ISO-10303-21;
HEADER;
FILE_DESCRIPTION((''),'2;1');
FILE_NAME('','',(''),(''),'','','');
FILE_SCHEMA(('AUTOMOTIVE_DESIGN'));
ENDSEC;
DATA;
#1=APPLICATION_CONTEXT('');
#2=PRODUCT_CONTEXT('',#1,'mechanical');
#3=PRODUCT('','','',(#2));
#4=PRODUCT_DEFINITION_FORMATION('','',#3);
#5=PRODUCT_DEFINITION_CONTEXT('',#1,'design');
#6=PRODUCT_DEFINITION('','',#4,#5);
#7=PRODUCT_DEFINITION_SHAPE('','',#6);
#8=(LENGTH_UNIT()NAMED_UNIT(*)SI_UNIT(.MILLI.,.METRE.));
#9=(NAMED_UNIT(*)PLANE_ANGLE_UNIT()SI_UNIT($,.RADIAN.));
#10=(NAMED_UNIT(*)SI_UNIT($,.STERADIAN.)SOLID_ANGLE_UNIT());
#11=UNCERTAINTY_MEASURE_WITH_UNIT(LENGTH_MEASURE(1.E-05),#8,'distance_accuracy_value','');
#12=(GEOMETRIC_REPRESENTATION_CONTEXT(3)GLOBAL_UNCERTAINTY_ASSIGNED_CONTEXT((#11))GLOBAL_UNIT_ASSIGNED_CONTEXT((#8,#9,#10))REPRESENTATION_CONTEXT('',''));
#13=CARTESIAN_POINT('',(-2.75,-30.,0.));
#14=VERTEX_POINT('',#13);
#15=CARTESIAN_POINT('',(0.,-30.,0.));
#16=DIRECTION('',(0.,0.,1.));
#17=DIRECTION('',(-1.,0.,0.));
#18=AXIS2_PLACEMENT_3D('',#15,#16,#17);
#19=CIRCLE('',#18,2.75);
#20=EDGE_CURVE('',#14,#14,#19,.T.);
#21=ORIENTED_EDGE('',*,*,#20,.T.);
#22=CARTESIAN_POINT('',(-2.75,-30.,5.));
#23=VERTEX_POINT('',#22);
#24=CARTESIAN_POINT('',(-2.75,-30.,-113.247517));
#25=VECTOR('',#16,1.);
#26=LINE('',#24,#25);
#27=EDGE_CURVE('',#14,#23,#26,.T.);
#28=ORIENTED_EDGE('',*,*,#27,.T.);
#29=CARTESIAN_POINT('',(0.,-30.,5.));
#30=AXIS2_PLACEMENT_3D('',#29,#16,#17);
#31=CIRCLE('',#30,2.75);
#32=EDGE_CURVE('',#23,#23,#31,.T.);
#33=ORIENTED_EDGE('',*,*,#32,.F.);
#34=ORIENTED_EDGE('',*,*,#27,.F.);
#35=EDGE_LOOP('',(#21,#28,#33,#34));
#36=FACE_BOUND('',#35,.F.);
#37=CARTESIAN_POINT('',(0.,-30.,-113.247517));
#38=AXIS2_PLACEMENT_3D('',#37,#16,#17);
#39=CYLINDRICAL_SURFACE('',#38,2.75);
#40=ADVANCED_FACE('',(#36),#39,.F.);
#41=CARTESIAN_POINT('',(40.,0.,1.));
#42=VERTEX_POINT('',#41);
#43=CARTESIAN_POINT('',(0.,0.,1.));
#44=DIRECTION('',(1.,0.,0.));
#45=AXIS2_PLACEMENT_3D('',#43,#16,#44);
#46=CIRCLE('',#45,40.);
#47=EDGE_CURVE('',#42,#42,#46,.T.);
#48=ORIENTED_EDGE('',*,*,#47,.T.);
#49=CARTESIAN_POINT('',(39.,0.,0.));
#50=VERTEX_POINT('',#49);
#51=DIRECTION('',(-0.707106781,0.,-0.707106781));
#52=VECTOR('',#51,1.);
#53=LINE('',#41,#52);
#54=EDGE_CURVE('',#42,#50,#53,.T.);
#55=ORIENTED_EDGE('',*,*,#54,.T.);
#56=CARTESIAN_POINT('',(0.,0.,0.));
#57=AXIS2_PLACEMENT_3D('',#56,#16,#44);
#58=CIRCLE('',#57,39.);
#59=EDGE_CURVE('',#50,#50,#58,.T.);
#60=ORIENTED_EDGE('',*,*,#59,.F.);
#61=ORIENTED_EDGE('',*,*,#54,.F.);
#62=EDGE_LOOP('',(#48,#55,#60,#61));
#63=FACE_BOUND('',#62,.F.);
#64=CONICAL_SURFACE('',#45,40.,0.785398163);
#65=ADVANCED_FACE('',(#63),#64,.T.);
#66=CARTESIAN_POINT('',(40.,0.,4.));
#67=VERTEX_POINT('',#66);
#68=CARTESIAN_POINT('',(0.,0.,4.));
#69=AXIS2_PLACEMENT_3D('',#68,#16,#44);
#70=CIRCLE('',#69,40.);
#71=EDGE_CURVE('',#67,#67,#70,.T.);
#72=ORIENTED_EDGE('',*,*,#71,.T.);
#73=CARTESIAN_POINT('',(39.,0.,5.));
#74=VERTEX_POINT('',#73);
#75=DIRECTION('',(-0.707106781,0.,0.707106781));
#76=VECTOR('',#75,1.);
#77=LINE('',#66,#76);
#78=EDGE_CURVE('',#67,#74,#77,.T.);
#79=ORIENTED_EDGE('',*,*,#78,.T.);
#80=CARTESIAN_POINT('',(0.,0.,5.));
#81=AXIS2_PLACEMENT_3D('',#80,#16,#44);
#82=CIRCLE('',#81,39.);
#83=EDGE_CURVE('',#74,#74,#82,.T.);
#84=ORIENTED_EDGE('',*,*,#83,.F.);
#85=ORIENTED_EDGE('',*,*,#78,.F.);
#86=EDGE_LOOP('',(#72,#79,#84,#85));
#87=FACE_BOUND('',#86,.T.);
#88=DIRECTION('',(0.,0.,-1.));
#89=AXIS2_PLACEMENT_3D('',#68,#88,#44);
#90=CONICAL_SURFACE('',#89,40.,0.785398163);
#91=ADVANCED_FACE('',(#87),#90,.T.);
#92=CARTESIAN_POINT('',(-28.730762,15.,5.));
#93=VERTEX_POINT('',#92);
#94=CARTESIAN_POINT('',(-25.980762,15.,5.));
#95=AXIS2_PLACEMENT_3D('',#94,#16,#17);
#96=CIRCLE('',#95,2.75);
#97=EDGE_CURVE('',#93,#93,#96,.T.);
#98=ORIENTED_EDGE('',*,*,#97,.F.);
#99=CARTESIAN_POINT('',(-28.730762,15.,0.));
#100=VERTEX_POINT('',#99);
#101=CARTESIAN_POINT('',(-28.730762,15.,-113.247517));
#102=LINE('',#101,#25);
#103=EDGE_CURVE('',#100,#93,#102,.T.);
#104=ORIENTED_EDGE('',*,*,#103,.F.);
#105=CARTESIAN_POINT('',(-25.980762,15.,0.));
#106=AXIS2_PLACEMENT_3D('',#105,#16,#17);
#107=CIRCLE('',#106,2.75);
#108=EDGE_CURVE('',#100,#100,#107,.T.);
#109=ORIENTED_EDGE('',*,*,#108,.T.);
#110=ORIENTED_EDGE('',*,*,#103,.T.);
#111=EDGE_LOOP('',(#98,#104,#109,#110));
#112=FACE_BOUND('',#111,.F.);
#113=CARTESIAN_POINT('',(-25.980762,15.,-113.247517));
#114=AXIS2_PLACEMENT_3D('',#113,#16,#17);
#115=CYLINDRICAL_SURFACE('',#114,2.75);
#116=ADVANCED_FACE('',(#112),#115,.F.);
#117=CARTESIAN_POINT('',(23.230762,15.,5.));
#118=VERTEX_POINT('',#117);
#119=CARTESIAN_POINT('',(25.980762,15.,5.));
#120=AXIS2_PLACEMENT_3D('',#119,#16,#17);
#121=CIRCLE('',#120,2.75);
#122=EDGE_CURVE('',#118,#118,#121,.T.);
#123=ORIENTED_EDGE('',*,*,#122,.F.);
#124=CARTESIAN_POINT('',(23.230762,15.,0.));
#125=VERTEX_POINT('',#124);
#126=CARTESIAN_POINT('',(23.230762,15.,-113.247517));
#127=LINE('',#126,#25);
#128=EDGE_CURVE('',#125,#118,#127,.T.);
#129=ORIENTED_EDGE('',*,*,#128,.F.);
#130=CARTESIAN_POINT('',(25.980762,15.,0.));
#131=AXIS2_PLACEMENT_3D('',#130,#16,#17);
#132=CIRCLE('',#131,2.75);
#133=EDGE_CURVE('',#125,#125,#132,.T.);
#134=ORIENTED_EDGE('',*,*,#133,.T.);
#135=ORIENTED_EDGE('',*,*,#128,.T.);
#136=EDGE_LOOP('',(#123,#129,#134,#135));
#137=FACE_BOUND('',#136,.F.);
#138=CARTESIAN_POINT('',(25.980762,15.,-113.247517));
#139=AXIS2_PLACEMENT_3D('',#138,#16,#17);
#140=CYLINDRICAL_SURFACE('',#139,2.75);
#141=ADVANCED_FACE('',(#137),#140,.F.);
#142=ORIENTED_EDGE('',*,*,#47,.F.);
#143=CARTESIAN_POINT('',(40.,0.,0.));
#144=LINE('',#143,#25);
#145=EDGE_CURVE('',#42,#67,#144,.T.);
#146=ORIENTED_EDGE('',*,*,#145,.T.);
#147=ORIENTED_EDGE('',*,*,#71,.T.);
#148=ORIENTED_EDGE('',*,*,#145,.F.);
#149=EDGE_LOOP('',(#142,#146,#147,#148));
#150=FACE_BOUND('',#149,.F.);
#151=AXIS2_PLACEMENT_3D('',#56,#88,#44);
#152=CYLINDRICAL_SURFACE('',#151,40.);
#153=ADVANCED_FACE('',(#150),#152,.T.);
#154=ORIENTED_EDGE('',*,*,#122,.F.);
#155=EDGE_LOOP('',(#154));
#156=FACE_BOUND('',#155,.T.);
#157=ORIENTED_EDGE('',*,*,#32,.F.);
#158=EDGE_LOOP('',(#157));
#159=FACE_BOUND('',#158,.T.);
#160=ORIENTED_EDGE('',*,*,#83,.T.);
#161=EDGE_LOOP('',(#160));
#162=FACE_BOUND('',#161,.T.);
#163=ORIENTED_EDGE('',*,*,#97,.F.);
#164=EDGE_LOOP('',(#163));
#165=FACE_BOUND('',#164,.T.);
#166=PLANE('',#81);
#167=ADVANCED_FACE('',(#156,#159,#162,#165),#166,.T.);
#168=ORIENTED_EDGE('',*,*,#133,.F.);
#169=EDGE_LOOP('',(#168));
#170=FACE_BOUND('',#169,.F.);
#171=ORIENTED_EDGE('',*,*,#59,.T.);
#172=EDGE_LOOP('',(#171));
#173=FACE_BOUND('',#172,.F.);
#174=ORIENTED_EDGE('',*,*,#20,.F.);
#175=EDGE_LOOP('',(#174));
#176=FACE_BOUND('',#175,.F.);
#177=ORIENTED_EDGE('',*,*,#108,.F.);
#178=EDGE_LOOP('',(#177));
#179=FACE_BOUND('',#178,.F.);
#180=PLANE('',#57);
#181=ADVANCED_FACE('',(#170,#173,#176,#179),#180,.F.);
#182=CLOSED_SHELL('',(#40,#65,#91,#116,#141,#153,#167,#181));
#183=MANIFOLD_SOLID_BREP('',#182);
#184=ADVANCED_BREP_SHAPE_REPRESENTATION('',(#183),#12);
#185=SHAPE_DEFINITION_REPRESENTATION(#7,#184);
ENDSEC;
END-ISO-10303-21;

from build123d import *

# Parameters (mm, degrees)
F0_R     = 40
F1_DEPTH = 5
F3_D     = 5.5
F4_SIZE  = 1


with BuildPart() as f1:
    # F0 (on Top) → F1 (new body)
    with BuildSketch(Plane.XY):
        Circle(F0_R)
    extrude(amount=F1_DEPTH)

    # F3 (through all)
    with Locations(Plane(origin=(0, 0, 0), x_dir=(1, 0, 0), z_dir=(0, 0, -1))):
        with Locations((0, 30), (25.980762, -15), (-25.980762, -15)):
            Hole(F3_D / 2)

    # F4
    f4_edges = [f1.edges().sort_by_distance(p)[0] for p in [
        (-40, 0, 5),
        (-40, 0, 0),
    ]]
    chamfer(f4_edges, length=F4_SIZE)


solid = f1.part
